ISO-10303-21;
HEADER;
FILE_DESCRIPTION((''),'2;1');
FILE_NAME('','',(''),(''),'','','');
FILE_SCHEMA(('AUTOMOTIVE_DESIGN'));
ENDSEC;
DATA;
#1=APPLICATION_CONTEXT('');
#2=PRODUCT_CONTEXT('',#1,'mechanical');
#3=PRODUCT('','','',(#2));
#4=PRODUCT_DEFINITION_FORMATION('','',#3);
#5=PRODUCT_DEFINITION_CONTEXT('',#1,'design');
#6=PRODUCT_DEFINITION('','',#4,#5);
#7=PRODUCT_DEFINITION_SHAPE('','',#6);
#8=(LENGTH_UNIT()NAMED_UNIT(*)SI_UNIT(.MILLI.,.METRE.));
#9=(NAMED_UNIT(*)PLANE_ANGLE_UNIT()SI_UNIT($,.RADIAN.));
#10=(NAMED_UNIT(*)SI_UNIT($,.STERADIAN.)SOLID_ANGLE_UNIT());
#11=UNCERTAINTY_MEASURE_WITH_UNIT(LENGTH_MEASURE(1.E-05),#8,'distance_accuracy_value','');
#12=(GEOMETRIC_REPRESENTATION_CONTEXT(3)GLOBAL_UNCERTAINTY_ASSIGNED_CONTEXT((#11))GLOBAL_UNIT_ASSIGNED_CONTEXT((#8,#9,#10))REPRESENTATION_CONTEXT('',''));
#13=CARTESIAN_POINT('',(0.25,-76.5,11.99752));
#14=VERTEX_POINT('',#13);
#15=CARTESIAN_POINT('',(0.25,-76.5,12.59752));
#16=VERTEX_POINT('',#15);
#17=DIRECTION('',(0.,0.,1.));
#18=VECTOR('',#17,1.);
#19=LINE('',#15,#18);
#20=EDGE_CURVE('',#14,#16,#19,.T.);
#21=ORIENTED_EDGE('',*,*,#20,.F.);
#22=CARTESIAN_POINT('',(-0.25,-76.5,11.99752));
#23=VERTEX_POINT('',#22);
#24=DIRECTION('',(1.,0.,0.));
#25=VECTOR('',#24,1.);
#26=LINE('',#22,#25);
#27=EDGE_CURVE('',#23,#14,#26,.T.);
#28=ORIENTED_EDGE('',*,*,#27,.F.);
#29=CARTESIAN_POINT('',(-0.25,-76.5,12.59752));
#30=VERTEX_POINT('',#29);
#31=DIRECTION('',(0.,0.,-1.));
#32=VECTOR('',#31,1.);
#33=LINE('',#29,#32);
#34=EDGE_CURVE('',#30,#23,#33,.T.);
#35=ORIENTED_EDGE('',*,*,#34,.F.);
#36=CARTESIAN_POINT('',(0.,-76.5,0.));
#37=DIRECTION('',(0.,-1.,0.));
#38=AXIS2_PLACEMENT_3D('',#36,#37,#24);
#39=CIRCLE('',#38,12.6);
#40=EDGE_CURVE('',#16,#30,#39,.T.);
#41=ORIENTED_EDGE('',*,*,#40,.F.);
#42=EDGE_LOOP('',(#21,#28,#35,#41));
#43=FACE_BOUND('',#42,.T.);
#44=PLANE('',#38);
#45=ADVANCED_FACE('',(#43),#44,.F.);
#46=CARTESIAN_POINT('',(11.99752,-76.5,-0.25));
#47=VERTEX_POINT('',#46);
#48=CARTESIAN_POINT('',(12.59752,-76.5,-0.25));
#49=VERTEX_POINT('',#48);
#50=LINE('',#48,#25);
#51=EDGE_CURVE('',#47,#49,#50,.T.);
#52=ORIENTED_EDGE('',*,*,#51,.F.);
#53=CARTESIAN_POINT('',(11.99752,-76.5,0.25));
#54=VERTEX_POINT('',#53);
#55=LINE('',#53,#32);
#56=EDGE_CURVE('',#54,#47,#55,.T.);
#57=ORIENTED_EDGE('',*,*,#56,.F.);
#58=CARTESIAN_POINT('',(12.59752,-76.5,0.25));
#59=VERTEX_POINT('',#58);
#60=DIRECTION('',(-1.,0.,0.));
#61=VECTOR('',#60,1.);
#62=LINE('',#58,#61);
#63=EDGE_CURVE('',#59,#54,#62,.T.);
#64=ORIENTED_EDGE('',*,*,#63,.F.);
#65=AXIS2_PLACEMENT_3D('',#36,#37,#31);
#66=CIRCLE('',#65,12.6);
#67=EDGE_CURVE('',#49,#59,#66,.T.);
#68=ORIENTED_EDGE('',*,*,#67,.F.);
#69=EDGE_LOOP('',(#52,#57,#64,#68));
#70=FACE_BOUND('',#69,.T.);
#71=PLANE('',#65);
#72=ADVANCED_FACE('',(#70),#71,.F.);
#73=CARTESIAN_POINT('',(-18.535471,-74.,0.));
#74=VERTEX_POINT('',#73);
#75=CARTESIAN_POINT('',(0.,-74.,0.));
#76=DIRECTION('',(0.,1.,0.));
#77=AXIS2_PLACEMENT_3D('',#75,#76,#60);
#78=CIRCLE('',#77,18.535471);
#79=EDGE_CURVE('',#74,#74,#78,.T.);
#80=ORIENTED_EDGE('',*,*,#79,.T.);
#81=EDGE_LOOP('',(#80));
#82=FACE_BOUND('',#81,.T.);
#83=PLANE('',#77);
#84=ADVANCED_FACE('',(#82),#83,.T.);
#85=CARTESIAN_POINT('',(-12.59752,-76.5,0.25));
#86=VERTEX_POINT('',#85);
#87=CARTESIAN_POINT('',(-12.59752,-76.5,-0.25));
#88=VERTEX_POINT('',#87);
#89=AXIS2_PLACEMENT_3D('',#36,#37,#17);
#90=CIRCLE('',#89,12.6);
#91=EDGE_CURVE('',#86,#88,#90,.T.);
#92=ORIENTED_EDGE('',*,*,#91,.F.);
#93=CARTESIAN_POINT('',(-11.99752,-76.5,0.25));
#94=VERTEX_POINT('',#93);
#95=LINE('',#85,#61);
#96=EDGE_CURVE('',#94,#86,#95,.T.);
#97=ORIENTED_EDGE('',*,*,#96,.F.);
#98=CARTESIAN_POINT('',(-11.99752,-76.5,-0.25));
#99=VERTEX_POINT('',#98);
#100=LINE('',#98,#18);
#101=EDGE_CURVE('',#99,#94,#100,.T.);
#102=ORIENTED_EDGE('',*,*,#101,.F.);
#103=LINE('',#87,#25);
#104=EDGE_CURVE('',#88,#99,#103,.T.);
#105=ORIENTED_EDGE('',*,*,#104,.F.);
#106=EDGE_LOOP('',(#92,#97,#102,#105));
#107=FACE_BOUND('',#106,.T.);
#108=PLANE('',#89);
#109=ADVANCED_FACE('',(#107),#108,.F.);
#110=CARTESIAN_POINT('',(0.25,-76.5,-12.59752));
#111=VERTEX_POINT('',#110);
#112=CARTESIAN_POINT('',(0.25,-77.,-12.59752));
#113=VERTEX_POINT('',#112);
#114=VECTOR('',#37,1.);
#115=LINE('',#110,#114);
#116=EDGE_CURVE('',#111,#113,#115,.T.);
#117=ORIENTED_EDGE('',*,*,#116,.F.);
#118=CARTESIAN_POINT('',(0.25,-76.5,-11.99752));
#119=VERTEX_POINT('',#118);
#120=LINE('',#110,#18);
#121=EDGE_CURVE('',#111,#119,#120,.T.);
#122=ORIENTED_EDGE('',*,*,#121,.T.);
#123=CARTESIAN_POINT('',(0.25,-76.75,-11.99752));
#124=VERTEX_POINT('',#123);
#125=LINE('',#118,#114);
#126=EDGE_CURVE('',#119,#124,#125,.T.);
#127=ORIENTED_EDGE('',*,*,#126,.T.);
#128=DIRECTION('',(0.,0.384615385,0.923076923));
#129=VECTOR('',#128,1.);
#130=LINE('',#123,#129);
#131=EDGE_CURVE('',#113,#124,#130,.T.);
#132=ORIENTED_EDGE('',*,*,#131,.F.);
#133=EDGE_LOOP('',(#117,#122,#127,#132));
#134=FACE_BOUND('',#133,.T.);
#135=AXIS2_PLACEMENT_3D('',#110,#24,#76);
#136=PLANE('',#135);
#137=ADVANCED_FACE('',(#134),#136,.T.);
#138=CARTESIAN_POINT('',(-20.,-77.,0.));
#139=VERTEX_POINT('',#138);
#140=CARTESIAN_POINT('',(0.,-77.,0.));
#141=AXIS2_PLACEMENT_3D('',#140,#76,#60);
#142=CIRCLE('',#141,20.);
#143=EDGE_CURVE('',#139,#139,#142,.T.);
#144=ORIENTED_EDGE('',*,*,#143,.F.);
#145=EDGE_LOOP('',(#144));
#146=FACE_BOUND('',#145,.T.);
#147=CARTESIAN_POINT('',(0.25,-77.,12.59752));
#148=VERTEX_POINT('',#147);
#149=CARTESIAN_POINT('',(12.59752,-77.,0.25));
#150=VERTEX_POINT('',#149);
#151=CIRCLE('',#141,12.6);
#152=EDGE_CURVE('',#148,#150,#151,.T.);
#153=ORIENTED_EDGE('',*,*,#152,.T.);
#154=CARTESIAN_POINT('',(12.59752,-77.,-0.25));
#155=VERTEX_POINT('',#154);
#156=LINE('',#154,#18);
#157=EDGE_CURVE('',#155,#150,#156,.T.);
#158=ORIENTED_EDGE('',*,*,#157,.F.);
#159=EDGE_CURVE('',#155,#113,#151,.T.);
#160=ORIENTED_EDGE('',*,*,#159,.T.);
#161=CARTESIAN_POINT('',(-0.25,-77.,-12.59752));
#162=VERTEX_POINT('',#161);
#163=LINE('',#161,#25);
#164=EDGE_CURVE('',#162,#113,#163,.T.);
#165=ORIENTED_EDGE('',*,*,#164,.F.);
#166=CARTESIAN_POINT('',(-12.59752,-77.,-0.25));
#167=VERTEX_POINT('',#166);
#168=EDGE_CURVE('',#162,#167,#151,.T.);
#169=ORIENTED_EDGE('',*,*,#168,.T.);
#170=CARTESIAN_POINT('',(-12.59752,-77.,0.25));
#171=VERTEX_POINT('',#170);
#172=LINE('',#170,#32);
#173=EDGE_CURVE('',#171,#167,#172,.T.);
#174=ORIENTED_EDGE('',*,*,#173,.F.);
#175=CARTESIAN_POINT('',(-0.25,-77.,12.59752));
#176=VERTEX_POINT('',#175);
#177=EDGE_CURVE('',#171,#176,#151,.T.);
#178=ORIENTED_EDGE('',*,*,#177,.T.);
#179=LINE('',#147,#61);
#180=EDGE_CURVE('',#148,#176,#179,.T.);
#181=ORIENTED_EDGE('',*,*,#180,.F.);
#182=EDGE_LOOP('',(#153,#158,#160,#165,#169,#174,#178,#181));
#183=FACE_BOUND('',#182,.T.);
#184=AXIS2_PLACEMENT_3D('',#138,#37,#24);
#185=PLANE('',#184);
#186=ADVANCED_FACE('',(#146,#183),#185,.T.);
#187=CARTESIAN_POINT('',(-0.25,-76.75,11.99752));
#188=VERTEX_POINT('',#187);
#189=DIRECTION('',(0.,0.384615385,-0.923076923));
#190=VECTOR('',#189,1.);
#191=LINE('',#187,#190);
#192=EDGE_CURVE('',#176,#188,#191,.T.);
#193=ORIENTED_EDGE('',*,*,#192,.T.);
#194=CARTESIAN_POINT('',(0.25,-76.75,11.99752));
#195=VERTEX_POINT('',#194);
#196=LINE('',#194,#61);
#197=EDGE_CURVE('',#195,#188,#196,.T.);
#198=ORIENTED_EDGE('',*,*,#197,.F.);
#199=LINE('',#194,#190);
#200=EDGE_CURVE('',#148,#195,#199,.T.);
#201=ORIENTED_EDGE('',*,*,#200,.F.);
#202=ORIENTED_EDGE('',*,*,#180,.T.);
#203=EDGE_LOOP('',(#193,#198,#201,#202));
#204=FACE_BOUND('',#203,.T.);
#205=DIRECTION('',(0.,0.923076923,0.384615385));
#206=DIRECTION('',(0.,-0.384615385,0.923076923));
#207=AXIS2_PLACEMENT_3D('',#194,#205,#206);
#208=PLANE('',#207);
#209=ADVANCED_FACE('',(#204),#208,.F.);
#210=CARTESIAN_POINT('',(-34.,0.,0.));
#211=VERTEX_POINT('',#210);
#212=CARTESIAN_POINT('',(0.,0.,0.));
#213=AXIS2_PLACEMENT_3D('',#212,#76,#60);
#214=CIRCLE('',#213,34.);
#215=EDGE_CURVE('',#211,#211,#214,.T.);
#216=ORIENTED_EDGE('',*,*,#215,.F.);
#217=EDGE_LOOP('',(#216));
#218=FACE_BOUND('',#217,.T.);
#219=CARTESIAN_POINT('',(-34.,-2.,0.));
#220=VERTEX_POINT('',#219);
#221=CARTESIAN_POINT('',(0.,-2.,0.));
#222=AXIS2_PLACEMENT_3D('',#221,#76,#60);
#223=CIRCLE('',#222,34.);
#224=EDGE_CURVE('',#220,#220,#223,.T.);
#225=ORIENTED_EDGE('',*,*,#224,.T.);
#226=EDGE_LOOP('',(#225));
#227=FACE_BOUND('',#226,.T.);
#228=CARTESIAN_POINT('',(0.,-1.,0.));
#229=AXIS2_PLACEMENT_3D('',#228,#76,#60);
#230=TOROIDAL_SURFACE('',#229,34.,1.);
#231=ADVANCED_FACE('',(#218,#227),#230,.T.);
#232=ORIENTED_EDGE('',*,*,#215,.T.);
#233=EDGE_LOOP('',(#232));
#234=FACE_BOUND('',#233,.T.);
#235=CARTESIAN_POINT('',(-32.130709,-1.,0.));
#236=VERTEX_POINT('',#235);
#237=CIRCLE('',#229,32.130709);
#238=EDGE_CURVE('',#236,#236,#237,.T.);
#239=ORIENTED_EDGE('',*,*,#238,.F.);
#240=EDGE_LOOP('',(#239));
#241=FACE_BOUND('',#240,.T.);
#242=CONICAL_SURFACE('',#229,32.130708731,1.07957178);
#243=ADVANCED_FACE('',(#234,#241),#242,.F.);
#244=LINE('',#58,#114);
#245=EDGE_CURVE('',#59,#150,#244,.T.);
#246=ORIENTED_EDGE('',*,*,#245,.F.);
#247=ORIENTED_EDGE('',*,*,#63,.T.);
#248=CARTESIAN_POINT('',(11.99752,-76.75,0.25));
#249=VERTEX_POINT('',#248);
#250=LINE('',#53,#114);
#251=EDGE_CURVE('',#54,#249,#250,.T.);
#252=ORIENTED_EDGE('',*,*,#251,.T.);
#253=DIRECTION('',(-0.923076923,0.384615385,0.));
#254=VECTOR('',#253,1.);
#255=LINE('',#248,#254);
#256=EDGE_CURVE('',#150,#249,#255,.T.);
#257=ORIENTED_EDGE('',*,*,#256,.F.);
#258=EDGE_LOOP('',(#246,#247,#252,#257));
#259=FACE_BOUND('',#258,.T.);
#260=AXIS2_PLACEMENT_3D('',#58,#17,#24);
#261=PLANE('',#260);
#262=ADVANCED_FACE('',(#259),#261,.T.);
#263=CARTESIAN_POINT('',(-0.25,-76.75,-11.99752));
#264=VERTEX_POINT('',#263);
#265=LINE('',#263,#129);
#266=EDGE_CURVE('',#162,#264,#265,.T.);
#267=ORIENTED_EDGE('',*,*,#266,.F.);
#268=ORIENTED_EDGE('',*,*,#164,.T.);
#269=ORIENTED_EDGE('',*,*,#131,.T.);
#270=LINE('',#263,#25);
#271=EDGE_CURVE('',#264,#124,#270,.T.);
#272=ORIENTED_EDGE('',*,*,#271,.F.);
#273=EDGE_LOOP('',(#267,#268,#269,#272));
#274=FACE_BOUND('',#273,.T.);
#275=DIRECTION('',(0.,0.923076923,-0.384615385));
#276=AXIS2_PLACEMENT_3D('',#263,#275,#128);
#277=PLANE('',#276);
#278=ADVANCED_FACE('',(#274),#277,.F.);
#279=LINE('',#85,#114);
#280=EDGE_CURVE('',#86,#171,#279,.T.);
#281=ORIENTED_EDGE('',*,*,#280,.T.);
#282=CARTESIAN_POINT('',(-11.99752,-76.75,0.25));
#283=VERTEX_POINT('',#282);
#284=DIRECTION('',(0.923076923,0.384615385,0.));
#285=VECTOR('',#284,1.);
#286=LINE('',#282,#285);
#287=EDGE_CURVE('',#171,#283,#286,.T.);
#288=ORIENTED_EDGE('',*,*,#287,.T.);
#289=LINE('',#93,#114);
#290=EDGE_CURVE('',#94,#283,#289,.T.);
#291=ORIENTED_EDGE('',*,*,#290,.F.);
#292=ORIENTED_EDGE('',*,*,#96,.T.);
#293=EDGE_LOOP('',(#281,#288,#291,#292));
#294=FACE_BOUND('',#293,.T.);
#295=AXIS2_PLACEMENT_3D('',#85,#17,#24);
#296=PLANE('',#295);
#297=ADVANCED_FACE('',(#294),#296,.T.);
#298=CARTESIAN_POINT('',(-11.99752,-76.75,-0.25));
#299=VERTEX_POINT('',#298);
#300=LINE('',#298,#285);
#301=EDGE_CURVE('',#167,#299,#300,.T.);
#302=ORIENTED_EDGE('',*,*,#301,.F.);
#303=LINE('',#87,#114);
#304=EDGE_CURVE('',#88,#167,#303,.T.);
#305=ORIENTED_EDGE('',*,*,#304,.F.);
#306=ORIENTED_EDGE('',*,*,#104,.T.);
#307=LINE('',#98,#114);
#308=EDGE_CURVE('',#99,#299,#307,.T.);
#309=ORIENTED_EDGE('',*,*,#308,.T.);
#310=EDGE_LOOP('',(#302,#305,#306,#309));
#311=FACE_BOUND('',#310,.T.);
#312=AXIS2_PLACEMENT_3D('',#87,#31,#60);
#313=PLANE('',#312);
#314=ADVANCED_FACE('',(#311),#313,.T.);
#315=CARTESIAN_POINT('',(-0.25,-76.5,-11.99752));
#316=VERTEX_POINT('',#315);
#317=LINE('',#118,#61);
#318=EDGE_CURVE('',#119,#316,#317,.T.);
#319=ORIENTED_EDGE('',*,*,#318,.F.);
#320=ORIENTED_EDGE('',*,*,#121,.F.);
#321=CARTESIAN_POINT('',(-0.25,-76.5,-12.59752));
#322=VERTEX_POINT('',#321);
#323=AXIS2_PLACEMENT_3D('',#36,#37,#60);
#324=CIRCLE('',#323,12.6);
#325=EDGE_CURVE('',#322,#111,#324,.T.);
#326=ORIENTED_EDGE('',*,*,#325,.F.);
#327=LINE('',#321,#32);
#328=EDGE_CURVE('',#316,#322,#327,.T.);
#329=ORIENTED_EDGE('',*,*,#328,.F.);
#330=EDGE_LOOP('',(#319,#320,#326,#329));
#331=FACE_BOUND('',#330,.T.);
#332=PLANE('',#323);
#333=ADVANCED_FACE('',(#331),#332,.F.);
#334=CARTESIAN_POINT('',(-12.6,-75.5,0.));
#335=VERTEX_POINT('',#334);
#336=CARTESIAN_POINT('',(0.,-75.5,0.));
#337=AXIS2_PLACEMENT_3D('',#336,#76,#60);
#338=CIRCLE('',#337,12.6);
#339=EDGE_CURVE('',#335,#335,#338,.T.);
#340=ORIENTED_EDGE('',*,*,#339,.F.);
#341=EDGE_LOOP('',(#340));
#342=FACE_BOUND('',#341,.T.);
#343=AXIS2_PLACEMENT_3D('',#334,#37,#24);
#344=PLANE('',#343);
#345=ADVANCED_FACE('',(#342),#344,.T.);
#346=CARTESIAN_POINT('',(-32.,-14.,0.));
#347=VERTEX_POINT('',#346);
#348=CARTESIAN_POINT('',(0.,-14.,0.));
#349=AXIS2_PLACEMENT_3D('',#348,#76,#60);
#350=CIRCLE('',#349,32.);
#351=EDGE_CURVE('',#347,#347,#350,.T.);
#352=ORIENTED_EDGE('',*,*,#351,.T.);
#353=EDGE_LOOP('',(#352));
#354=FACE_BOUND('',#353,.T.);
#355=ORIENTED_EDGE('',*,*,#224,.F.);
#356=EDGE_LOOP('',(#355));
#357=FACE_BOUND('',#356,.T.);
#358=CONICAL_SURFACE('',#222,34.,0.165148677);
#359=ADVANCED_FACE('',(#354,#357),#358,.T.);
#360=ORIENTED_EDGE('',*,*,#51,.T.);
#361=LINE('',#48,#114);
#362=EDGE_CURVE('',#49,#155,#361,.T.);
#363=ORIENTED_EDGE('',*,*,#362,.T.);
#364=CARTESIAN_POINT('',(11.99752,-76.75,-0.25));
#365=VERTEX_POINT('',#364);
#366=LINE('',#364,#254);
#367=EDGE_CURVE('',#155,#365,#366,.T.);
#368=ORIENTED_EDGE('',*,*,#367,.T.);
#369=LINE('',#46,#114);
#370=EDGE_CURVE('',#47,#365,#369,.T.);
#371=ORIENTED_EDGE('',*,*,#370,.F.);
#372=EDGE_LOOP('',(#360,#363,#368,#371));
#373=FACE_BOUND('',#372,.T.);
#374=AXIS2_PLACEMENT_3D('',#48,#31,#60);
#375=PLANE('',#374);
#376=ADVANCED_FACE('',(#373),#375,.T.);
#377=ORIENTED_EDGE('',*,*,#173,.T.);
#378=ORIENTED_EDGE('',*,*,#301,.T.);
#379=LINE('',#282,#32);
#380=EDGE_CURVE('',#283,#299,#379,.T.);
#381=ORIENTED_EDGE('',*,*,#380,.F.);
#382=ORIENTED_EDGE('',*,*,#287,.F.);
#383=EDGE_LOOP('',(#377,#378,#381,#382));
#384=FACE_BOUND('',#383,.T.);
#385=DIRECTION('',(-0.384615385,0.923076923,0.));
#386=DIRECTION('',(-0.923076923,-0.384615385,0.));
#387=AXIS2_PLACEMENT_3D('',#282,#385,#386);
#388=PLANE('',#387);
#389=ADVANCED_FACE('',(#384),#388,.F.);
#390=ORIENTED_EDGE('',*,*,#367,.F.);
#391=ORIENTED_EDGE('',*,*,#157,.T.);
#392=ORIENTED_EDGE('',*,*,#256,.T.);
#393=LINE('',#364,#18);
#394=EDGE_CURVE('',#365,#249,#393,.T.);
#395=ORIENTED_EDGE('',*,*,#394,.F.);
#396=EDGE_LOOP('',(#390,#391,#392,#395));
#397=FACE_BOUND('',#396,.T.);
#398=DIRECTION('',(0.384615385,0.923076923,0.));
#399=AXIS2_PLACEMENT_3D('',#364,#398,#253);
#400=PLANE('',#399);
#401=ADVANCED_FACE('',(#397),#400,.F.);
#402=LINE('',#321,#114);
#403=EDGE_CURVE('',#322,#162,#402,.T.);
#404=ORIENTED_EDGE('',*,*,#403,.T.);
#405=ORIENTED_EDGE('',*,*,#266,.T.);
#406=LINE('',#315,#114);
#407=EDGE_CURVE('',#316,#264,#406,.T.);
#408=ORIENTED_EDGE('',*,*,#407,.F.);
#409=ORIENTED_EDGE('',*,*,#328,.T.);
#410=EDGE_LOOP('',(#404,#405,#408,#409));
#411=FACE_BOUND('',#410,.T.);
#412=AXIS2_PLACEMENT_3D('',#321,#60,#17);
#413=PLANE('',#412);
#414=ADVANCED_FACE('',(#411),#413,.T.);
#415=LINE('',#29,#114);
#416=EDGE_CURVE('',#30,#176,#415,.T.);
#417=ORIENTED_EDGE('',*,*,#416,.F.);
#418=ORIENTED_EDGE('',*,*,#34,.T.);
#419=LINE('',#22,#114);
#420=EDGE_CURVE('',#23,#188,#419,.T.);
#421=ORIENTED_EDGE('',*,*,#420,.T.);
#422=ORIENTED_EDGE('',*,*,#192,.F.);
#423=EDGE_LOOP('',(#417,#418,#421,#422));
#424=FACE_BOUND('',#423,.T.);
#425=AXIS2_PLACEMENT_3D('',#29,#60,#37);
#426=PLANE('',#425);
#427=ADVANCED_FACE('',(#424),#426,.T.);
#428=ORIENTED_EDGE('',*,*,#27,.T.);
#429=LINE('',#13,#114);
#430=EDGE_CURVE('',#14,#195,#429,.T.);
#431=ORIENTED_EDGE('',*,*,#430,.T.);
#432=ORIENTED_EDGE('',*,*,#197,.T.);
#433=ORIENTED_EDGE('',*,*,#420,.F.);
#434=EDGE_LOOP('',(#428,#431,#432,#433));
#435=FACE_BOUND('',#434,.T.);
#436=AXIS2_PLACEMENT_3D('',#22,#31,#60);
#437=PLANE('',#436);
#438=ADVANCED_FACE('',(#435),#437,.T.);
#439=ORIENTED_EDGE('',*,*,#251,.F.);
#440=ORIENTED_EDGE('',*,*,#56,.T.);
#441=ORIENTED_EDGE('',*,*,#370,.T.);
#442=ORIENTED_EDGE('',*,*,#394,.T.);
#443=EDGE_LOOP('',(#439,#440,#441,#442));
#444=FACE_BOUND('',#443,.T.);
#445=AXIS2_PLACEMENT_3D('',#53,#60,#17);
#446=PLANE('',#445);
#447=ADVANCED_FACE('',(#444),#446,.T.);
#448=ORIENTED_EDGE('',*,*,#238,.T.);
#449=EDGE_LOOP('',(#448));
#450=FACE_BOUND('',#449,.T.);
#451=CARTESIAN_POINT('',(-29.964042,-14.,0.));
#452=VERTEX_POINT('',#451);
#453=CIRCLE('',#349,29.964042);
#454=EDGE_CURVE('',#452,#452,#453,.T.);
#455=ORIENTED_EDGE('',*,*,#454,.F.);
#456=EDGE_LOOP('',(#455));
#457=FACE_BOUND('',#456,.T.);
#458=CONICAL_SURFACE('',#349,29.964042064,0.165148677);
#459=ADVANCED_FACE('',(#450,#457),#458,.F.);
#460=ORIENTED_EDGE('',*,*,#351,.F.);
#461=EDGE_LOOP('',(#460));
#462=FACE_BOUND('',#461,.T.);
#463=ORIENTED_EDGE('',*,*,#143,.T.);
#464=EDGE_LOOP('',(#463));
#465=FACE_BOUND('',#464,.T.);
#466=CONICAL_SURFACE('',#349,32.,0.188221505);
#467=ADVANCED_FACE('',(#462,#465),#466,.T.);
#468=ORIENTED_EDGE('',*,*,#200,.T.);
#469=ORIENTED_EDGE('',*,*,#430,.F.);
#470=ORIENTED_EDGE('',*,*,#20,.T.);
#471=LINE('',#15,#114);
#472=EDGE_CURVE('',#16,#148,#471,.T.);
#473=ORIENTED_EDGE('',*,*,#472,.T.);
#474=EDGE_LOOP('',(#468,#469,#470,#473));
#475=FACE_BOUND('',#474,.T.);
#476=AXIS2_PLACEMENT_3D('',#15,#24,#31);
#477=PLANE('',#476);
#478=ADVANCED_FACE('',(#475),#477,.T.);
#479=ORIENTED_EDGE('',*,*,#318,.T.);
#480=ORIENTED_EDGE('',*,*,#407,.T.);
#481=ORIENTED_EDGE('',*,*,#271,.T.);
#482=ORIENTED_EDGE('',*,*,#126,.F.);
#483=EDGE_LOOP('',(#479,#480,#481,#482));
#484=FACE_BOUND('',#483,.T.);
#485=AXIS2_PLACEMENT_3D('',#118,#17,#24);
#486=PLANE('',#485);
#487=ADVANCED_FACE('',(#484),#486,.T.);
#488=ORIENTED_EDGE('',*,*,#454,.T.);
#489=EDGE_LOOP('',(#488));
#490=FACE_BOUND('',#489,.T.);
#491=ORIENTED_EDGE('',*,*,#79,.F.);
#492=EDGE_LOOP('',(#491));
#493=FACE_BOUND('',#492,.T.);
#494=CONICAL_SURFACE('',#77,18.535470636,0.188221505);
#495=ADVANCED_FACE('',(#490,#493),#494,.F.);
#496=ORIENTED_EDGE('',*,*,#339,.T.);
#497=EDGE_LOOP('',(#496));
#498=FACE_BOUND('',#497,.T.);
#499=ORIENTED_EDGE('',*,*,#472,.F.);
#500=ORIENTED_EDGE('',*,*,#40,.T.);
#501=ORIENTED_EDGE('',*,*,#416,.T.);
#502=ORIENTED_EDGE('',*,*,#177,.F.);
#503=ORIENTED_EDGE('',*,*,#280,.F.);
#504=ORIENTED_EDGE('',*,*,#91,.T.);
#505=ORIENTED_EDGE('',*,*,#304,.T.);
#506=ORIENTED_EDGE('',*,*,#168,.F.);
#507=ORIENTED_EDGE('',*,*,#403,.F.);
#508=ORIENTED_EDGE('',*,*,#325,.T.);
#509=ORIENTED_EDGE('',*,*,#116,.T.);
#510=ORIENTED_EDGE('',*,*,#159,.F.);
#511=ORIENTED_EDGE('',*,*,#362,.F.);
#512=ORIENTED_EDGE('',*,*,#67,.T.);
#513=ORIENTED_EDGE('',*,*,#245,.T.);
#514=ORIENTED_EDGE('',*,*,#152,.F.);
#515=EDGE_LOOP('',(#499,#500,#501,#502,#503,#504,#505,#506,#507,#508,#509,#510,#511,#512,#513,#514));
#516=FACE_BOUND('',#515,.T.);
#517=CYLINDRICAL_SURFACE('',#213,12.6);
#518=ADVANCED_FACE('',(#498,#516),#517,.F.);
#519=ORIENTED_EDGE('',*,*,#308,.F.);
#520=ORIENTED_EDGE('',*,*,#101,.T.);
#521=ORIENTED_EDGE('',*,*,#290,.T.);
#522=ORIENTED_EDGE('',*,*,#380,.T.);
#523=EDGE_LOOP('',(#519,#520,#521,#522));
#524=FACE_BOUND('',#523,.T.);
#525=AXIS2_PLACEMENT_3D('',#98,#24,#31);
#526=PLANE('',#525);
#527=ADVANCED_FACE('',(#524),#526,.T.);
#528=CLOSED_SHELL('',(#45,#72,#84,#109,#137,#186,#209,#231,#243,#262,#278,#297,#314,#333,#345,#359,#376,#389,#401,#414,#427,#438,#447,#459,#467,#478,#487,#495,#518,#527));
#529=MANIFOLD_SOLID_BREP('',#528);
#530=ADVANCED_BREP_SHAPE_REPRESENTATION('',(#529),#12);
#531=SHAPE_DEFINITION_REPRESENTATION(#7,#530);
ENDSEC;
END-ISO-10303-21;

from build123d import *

# Parameters (mm, degrees)
BOSS_EXTRUDE1_START = -0.5
BOSS_EXTRUDE1_DEPTH = 0.5
CUT_EXTRUDE1_DEPTH  = 0.5
CIRPATTERN2_COUNT   = 4


with BuildPart() as part:
    # Sketch1 → Revolve1 (revolve)
    with BuildSketch(Plane.XY):
        with BuildLine():
            Line((-32.130708731, -1), (-34, 0))
            ThreePointArc((-34, 0), (-35, -1), (-34, -2))
            Line((-34, -2), (-32, -14))
            Line((-32, -14), (-20, -77))
            Line((-20, -77), (-12.6, -77))
            Line((-12.6, -77), (-12.6, -75.5))
            Line((-12.6, -75.5), (0, -75.5))
            Line((0, -75.5), (0, -74))
            Line((0, -74), (-18.535470636, -74))
            Line((-18.535470636, -74), (-29.964042064, -14))
            Line((-29.964042064, -14), (-32.130708731, -1))
        make_face()
    revolve(axis=Axis((0, 0, 0), (0, -1, 0)))

    # Sketch3 → Boss-Extrude1 (add)
    with BuildSketch(Plane.XZ.offset(77).offset(BOSS_EXTRUDE1_START)):
        with BuildLine():
            Line((-0.25, 12.597519597), (-0.25, 11.997519597))
            Line((-0.25, 11.997519597), (0.25, 11.997519597))
            Line((0.25, 11.997519597), (0.25, 12.597519597))
            ThreePointArc((0.25, 12.597519597), (0, 12.6), (-0.25, 12.597519597))
        make_face()
    boss_extrude1 = extrude(amount=BOSS_EXTRUDE1_DEPTH)

    # Sketch8 → Cut-Extrude1 (cut)
    with BuildSketch(Plane.ZY.offset(0.25)):
        Polygon((11.997519597, -76.75), (12.597519597, -77), (11.997519597, -77), align=None)
    cut_extrude1 = extrude(amount=-CUT_EXTRUDE1_DEPTH, mode=Mode.SUBTRACT)

    # CirPattern2: Boss-Extrude1, Cut-Extrude1 ×4 about axis
    cirpattern2_axis = Axis((0, 0, 0), (0, 1, 0))
    add([boss_extrude1.rotate(cirpattern2_axis, i * 360 / CIRPATTERN2_COUNT) for i in range(1, CIRPATTERN2_COUNT)])
    add([cut_extrude1.rotate(cirpattern2_axis, i * 360 / CIRPATTERN2_COUNT) for i in range(1, CIRPATTERN2_COUNT)], mode=Mode.SUBTRACT)


solid = part.part
